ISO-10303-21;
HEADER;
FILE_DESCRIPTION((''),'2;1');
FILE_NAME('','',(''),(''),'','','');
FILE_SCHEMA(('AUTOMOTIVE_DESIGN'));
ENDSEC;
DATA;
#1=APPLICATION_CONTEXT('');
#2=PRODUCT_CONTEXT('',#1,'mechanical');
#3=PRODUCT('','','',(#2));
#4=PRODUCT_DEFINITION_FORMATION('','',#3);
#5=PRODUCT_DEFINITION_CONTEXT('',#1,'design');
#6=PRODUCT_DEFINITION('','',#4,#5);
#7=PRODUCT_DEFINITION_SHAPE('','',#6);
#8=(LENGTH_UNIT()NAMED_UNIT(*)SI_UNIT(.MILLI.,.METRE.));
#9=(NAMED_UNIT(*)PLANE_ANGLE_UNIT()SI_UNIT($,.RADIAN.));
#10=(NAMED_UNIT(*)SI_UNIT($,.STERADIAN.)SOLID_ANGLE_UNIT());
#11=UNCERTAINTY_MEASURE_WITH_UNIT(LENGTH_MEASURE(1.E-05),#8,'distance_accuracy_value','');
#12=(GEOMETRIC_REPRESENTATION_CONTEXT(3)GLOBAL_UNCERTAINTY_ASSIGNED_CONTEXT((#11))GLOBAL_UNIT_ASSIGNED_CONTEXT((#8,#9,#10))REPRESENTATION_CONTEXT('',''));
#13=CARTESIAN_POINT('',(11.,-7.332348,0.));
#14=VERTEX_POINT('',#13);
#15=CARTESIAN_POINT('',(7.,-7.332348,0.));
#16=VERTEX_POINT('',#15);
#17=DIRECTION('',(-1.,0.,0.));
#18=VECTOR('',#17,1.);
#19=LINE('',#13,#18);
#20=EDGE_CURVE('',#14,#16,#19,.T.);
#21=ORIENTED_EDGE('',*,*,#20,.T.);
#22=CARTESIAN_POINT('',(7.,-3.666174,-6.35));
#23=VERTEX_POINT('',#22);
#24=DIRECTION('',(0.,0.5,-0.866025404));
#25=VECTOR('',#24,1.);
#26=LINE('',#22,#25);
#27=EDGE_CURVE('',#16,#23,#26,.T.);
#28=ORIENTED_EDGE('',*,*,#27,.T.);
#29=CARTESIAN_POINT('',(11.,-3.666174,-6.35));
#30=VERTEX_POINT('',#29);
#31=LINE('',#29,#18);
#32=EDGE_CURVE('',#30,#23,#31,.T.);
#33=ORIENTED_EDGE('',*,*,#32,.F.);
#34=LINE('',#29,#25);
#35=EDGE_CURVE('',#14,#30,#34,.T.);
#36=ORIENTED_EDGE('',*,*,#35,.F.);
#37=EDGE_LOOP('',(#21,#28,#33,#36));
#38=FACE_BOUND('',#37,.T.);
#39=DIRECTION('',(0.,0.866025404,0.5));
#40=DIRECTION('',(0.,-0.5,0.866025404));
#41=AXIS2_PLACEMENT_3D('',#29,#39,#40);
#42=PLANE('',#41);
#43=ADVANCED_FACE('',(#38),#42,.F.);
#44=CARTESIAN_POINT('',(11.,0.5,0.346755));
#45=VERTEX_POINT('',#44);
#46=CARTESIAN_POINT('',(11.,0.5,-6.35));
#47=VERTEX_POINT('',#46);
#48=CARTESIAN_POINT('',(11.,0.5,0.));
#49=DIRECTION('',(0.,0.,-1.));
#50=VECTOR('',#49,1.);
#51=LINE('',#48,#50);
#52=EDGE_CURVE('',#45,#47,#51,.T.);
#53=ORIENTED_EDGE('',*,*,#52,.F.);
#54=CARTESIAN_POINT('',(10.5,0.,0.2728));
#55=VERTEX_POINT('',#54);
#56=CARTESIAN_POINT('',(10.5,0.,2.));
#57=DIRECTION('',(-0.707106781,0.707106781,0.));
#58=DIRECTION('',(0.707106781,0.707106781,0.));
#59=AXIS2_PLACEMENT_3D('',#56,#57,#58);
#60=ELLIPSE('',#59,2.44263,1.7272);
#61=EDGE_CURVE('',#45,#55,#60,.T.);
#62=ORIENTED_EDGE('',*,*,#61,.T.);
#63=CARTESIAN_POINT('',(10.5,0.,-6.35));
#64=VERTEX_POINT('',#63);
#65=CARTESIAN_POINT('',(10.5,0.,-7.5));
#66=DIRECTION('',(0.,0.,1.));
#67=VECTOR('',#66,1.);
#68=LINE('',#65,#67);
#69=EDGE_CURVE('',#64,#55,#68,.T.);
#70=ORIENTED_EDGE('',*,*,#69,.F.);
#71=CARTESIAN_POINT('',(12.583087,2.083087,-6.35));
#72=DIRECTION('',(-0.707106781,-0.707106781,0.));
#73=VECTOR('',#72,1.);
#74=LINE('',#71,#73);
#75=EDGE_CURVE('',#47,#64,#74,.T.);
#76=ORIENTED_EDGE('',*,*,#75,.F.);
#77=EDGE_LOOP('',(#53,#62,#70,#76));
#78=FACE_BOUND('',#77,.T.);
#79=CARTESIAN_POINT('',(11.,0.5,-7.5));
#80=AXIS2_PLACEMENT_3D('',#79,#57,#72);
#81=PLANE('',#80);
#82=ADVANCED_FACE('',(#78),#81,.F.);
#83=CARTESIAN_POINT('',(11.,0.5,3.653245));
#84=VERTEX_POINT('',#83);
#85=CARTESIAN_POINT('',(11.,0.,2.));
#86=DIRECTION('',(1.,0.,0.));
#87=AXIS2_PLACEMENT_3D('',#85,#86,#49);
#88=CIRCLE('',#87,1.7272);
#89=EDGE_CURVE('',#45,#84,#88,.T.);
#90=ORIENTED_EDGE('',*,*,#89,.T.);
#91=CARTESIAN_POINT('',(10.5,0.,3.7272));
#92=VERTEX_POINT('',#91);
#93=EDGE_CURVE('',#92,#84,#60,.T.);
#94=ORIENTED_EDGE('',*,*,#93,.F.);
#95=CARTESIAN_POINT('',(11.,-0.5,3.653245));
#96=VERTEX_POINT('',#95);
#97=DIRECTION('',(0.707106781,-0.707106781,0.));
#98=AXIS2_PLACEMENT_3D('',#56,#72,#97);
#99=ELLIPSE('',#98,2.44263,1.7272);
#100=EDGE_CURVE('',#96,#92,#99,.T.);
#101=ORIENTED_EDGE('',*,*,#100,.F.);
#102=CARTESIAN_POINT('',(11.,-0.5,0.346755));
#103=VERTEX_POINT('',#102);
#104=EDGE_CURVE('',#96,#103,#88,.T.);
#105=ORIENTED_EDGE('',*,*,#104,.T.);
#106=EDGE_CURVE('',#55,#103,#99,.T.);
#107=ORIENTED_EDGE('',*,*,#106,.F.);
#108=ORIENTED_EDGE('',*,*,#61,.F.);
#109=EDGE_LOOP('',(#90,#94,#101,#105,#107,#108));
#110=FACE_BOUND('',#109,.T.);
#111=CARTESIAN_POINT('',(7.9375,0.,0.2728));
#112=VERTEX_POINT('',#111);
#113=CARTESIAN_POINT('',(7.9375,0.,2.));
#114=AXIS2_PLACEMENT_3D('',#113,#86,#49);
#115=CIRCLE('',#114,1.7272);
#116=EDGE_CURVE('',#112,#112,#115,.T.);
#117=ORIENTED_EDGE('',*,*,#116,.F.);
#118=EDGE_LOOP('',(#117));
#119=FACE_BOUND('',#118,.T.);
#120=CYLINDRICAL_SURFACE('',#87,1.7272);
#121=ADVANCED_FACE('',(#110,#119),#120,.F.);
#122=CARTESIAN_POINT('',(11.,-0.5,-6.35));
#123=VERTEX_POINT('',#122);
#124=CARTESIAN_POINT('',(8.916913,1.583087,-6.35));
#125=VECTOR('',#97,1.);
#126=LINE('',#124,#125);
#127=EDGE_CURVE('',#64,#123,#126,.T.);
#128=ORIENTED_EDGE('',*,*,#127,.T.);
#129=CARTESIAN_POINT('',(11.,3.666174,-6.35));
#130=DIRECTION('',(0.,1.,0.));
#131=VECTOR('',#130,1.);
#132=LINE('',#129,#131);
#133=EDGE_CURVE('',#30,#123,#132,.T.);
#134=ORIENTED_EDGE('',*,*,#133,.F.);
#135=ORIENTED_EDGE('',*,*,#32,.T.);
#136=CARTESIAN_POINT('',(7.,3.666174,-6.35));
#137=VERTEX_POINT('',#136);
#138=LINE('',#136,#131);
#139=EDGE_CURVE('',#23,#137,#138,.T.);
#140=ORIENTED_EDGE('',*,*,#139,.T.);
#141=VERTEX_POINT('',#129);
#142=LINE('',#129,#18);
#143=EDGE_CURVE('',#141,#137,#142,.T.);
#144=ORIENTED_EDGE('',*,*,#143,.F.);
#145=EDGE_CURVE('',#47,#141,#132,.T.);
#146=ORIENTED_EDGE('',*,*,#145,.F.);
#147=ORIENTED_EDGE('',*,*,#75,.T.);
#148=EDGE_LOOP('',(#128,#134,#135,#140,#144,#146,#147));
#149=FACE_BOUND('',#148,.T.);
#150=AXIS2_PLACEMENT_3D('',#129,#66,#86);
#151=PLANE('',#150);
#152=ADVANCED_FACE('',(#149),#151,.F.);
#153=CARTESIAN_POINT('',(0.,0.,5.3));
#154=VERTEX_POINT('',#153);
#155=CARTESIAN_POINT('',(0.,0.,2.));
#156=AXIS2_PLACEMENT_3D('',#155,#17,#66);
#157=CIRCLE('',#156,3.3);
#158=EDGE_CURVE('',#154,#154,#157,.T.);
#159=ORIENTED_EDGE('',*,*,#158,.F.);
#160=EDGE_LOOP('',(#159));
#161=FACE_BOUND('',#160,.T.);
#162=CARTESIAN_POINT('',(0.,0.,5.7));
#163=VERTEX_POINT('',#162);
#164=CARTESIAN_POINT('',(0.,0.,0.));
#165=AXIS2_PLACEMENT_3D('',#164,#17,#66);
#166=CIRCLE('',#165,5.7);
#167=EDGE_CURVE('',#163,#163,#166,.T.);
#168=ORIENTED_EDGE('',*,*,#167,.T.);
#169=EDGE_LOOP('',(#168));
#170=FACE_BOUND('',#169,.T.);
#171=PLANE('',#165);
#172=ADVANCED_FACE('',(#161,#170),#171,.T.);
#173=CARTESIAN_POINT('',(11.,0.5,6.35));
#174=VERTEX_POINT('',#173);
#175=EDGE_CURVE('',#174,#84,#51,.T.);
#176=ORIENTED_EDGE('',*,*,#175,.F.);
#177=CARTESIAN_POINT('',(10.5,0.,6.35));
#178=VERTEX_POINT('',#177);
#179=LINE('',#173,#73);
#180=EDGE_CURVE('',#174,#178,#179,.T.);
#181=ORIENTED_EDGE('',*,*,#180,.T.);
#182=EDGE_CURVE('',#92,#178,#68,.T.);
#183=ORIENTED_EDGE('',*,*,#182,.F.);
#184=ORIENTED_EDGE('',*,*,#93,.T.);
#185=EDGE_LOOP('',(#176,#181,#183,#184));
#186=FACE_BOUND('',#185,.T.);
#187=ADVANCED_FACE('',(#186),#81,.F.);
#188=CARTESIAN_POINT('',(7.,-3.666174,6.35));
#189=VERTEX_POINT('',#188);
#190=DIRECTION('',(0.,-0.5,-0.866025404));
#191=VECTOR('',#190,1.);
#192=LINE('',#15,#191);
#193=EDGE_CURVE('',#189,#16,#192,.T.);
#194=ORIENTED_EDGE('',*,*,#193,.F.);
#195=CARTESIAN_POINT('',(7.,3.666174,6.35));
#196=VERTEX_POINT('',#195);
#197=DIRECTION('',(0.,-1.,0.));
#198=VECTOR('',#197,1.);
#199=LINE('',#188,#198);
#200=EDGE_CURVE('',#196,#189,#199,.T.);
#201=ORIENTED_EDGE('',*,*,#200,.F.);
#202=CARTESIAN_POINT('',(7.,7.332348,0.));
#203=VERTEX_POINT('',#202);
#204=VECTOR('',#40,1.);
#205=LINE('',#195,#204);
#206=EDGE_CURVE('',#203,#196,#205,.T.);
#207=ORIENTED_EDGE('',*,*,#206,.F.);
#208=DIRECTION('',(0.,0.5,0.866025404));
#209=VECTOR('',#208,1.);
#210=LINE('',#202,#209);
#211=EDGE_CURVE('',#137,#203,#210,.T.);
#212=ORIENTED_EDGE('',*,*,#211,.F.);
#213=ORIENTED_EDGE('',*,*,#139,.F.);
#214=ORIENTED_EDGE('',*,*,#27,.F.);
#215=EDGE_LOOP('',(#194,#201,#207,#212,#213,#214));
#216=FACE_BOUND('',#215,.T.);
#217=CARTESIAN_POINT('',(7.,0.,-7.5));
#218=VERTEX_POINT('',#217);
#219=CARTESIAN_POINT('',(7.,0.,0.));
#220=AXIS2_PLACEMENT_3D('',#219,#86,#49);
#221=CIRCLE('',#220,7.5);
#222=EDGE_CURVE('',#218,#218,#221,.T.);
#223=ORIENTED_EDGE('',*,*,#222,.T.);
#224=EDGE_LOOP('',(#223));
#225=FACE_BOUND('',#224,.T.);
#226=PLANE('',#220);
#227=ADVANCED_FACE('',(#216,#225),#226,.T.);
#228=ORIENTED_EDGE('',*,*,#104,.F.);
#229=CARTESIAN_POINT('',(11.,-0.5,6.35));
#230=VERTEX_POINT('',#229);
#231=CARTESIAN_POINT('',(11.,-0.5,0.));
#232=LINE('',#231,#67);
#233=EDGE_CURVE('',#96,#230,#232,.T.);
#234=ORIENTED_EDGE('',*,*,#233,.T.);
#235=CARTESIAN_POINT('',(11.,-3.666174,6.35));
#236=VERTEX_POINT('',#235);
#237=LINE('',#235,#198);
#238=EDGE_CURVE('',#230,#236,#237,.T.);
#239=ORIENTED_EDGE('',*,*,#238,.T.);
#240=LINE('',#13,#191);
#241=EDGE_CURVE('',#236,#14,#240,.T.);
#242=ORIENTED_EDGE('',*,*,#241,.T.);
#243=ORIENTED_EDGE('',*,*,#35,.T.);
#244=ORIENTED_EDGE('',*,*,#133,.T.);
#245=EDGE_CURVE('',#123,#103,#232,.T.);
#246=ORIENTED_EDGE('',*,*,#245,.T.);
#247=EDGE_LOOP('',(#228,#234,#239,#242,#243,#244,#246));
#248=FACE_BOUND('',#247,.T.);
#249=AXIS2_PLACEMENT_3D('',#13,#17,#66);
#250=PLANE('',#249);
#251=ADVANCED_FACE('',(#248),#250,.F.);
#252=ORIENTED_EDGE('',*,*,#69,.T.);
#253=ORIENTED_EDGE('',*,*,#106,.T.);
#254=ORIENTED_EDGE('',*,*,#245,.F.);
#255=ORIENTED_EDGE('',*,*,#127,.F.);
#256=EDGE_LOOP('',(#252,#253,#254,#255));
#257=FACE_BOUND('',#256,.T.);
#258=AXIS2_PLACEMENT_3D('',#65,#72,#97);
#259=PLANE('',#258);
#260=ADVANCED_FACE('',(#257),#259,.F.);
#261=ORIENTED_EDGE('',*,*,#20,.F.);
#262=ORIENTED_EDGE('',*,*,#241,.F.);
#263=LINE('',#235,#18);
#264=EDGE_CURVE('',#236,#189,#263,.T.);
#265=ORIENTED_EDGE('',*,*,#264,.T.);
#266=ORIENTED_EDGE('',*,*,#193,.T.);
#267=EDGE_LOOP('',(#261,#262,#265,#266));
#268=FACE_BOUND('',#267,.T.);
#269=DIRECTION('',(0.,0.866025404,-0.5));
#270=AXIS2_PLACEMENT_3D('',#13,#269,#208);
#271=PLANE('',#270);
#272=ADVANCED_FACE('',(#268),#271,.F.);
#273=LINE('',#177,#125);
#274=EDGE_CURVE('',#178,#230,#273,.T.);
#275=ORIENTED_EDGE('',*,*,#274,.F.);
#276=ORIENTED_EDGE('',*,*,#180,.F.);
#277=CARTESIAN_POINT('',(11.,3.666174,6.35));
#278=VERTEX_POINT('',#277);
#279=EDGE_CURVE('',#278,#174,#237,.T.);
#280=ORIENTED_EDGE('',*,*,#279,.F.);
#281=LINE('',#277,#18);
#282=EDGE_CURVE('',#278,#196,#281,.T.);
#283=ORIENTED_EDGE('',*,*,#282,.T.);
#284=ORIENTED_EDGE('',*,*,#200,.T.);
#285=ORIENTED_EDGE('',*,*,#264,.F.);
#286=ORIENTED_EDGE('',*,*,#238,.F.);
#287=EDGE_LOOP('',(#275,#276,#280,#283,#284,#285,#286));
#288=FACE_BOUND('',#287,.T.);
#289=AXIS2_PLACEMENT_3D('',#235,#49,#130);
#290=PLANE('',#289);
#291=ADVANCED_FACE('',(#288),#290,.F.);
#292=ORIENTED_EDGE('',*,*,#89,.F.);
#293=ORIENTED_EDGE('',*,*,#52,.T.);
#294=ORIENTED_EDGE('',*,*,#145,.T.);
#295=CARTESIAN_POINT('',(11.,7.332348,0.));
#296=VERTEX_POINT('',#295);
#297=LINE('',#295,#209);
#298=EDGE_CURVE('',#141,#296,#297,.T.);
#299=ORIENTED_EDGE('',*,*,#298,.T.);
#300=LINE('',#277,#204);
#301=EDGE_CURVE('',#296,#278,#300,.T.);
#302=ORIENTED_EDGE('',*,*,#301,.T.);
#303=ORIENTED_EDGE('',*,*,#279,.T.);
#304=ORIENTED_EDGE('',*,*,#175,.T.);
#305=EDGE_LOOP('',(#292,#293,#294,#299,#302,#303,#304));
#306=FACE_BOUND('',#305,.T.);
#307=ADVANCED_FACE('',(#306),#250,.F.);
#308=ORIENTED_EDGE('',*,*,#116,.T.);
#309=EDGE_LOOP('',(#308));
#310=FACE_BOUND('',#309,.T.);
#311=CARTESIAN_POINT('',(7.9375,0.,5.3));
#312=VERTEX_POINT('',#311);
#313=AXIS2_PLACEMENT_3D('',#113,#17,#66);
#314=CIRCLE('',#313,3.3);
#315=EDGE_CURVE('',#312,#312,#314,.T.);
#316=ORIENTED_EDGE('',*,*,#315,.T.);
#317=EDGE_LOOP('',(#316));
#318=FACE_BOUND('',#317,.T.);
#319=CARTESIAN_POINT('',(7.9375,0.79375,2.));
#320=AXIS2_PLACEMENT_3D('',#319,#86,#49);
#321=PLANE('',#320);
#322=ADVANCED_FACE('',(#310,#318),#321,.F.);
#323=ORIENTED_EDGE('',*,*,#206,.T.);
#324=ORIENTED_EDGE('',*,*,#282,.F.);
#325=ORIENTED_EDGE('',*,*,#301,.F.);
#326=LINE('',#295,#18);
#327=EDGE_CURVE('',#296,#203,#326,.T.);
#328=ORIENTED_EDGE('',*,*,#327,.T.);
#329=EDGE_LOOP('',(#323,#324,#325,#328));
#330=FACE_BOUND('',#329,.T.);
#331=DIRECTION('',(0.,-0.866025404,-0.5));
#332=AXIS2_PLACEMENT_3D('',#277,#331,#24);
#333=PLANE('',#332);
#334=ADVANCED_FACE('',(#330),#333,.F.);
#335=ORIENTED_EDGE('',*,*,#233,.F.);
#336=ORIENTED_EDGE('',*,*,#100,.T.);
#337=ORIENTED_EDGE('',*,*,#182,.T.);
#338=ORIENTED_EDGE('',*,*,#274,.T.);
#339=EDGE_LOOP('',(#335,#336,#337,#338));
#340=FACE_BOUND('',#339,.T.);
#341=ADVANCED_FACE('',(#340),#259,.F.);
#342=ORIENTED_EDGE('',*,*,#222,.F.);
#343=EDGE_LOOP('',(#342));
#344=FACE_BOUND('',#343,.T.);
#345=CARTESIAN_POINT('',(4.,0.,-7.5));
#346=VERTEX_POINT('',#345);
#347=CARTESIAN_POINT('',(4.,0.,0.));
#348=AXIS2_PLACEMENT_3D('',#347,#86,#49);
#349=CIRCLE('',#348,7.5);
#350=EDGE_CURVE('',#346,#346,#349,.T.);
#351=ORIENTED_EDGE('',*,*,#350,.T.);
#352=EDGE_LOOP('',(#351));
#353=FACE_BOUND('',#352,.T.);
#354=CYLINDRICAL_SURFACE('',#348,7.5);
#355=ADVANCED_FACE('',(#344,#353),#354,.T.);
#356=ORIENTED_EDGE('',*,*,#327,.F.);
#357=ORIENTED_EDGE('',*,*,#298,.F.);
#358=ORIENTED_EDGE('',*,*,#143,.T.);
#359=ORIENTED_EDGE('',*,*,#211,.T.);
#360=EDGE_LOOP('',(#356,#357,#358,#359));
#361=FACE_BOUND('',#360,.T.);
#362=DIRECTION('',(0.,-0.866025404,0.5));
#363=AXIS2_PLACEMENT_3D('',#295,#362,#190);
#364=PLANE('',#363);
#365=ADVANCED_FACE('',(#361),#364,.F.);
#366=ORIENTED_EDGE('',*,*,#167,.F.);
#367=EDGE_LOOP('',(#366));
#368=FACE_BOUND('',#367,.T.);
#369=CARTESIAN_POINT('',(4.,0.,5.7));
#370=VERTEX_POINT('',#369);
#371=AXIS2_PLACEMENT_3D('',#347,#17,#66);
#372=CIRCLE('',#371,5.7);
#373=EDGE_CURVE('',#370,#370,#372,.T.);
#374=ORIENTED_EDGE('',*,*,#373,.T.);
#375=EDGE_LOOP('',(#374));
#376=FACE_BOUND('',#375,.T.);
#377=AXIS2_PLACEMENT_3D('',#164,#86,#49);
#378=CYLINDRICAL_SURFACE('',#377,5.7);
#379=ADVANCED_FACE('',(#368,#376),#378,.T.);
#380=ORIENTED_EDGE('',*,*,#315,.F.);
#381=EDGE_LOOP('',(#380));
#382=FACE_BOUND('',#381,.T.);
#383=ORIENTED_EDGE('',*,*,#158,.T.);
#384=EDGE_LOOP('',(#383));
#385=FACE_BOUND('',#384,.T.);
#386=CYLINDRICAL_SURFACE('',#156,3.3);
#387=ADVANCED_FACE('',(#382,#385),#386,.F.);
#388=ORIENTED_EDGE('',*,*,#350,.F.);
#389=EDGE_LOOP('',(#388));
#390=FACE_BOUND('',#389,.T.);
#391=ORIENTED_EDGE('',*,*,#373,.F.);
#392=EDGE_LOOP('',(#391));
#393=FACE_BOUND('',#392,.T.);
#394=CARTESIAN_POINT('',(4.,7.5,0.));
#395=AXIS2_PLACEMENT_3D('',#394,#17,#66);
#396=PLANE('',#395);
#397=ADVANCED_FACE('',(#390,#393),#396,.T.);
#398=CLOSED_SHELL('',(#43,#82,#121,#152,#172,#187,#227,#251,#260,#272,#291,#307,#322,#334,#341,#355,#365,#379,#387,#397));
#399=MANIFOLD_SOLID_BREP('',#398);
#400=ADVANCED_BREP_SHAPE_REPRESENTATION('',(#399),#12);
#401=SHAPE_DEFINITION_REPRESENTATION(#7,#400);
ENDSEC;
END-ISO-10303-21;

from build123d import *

# Parameters (mm, degrees)
SKETCH1_W                                      = 3
SKETCH1_H                                      = 7.5
BOSS_EXTRUDE1_DEPTH                            = 4
CUT_EXTRUDE1_DEPTH                             = 14.85
SKETCH4_R                                      = 5.7
BOSS_EXTRUDE2_DEPTH                            = 4
CBORE_FOR_5_BUTTON_HEAD_CAP_SCREW1_D           = 1.5875
CBORE_FOR_5_BUTTON_HEAD_CAP_SCREW1_CBORE_D     = 6.600000008
CBORE_FOR_5_BUTTON_HEAD_CAP_SCREW1_CBORE_DEPTH = 7.9375
F_8_32_TAPPED_HOLE1_D                          = 3.4544


with BuildPart() as part:
    # Sketch1 → Revolve1 (revolve)
    with BuildSketch(Plane.XY, mode=Mode.PRIVATE) as revolve1_sk:
        with Locations((5.5, 3.75)):
            Rectangle(SKETCH1_W, SKETCH1_H)
    revolve(revolve1_sk.sketch.rotate(Axis((4, 0, 0), (1, 0, 0)), 270), axis=Axis((4, 0, 0), (1, 0, 0)))  # turned: the seam where the file's is

    # Sketch2 → Boss-Extrude1 (add)
    with BuildSketch(Plane(origin=(7, 0, 0), x_dir=(0, 0, -1), z_dir=(1, 0, 0))):
        Polygon((0, -7.332348419), (-6.35, -3.666174209), (-6.35, 3.666174209), (0, 7.332348419), (6.35, 3.666174209), (6.35, -3.666174209), align=None)
    extrude(amount=BOSS_EXTRUDE1_DEPTH)

    # Sketch3 → Cut-Extrude1 (cut, through all)
    with BuildSketch(Plane.XY.offset(6.35)):
        Polygon((11, -0.5), (11, 0.5), (10.5, 0), align=None)
    extrude(amount=-CUT_EXTRUDE1_DEPTH, mode=Mode.SUBTRACT)

    # Sketch4 → Boss-Extrude2 (add)
    with BuildSketch(Plane.ZY.offset(-4)):
        Circle(SKETCH4_R)
    extrude(amount=BOSS_EXTRUDE2_DEPTH)

    # CBORE for #5 Button Head Cap Screw1 (through all)
    with Locations(Plane.ZY):
        with Locations((2, 0)):
            CounterBoreHole(CBORE_FOR_5_BUTTON_HEAD_CAP_SCREW1_D / 2, CBORE_FOR_5_BUTTON_HEAD_CAP_SCREW1_CBORE_D / 2, CBORE_FOR_5_BUTTON_HEAD_CAP_SCREW1_CBORE_DEPTH)

    # #8-32 Tapped Hole1 (through all)
    with Locations(Plane(origin=(11, 0, 0), x_dir=(0, 0, -1), z_dir=(1, 0, 0))):
        with Locations((-2, 0)):
            Hole(F_8_32_TAPPED_HOLE1_D / 2)


solid = part.part
